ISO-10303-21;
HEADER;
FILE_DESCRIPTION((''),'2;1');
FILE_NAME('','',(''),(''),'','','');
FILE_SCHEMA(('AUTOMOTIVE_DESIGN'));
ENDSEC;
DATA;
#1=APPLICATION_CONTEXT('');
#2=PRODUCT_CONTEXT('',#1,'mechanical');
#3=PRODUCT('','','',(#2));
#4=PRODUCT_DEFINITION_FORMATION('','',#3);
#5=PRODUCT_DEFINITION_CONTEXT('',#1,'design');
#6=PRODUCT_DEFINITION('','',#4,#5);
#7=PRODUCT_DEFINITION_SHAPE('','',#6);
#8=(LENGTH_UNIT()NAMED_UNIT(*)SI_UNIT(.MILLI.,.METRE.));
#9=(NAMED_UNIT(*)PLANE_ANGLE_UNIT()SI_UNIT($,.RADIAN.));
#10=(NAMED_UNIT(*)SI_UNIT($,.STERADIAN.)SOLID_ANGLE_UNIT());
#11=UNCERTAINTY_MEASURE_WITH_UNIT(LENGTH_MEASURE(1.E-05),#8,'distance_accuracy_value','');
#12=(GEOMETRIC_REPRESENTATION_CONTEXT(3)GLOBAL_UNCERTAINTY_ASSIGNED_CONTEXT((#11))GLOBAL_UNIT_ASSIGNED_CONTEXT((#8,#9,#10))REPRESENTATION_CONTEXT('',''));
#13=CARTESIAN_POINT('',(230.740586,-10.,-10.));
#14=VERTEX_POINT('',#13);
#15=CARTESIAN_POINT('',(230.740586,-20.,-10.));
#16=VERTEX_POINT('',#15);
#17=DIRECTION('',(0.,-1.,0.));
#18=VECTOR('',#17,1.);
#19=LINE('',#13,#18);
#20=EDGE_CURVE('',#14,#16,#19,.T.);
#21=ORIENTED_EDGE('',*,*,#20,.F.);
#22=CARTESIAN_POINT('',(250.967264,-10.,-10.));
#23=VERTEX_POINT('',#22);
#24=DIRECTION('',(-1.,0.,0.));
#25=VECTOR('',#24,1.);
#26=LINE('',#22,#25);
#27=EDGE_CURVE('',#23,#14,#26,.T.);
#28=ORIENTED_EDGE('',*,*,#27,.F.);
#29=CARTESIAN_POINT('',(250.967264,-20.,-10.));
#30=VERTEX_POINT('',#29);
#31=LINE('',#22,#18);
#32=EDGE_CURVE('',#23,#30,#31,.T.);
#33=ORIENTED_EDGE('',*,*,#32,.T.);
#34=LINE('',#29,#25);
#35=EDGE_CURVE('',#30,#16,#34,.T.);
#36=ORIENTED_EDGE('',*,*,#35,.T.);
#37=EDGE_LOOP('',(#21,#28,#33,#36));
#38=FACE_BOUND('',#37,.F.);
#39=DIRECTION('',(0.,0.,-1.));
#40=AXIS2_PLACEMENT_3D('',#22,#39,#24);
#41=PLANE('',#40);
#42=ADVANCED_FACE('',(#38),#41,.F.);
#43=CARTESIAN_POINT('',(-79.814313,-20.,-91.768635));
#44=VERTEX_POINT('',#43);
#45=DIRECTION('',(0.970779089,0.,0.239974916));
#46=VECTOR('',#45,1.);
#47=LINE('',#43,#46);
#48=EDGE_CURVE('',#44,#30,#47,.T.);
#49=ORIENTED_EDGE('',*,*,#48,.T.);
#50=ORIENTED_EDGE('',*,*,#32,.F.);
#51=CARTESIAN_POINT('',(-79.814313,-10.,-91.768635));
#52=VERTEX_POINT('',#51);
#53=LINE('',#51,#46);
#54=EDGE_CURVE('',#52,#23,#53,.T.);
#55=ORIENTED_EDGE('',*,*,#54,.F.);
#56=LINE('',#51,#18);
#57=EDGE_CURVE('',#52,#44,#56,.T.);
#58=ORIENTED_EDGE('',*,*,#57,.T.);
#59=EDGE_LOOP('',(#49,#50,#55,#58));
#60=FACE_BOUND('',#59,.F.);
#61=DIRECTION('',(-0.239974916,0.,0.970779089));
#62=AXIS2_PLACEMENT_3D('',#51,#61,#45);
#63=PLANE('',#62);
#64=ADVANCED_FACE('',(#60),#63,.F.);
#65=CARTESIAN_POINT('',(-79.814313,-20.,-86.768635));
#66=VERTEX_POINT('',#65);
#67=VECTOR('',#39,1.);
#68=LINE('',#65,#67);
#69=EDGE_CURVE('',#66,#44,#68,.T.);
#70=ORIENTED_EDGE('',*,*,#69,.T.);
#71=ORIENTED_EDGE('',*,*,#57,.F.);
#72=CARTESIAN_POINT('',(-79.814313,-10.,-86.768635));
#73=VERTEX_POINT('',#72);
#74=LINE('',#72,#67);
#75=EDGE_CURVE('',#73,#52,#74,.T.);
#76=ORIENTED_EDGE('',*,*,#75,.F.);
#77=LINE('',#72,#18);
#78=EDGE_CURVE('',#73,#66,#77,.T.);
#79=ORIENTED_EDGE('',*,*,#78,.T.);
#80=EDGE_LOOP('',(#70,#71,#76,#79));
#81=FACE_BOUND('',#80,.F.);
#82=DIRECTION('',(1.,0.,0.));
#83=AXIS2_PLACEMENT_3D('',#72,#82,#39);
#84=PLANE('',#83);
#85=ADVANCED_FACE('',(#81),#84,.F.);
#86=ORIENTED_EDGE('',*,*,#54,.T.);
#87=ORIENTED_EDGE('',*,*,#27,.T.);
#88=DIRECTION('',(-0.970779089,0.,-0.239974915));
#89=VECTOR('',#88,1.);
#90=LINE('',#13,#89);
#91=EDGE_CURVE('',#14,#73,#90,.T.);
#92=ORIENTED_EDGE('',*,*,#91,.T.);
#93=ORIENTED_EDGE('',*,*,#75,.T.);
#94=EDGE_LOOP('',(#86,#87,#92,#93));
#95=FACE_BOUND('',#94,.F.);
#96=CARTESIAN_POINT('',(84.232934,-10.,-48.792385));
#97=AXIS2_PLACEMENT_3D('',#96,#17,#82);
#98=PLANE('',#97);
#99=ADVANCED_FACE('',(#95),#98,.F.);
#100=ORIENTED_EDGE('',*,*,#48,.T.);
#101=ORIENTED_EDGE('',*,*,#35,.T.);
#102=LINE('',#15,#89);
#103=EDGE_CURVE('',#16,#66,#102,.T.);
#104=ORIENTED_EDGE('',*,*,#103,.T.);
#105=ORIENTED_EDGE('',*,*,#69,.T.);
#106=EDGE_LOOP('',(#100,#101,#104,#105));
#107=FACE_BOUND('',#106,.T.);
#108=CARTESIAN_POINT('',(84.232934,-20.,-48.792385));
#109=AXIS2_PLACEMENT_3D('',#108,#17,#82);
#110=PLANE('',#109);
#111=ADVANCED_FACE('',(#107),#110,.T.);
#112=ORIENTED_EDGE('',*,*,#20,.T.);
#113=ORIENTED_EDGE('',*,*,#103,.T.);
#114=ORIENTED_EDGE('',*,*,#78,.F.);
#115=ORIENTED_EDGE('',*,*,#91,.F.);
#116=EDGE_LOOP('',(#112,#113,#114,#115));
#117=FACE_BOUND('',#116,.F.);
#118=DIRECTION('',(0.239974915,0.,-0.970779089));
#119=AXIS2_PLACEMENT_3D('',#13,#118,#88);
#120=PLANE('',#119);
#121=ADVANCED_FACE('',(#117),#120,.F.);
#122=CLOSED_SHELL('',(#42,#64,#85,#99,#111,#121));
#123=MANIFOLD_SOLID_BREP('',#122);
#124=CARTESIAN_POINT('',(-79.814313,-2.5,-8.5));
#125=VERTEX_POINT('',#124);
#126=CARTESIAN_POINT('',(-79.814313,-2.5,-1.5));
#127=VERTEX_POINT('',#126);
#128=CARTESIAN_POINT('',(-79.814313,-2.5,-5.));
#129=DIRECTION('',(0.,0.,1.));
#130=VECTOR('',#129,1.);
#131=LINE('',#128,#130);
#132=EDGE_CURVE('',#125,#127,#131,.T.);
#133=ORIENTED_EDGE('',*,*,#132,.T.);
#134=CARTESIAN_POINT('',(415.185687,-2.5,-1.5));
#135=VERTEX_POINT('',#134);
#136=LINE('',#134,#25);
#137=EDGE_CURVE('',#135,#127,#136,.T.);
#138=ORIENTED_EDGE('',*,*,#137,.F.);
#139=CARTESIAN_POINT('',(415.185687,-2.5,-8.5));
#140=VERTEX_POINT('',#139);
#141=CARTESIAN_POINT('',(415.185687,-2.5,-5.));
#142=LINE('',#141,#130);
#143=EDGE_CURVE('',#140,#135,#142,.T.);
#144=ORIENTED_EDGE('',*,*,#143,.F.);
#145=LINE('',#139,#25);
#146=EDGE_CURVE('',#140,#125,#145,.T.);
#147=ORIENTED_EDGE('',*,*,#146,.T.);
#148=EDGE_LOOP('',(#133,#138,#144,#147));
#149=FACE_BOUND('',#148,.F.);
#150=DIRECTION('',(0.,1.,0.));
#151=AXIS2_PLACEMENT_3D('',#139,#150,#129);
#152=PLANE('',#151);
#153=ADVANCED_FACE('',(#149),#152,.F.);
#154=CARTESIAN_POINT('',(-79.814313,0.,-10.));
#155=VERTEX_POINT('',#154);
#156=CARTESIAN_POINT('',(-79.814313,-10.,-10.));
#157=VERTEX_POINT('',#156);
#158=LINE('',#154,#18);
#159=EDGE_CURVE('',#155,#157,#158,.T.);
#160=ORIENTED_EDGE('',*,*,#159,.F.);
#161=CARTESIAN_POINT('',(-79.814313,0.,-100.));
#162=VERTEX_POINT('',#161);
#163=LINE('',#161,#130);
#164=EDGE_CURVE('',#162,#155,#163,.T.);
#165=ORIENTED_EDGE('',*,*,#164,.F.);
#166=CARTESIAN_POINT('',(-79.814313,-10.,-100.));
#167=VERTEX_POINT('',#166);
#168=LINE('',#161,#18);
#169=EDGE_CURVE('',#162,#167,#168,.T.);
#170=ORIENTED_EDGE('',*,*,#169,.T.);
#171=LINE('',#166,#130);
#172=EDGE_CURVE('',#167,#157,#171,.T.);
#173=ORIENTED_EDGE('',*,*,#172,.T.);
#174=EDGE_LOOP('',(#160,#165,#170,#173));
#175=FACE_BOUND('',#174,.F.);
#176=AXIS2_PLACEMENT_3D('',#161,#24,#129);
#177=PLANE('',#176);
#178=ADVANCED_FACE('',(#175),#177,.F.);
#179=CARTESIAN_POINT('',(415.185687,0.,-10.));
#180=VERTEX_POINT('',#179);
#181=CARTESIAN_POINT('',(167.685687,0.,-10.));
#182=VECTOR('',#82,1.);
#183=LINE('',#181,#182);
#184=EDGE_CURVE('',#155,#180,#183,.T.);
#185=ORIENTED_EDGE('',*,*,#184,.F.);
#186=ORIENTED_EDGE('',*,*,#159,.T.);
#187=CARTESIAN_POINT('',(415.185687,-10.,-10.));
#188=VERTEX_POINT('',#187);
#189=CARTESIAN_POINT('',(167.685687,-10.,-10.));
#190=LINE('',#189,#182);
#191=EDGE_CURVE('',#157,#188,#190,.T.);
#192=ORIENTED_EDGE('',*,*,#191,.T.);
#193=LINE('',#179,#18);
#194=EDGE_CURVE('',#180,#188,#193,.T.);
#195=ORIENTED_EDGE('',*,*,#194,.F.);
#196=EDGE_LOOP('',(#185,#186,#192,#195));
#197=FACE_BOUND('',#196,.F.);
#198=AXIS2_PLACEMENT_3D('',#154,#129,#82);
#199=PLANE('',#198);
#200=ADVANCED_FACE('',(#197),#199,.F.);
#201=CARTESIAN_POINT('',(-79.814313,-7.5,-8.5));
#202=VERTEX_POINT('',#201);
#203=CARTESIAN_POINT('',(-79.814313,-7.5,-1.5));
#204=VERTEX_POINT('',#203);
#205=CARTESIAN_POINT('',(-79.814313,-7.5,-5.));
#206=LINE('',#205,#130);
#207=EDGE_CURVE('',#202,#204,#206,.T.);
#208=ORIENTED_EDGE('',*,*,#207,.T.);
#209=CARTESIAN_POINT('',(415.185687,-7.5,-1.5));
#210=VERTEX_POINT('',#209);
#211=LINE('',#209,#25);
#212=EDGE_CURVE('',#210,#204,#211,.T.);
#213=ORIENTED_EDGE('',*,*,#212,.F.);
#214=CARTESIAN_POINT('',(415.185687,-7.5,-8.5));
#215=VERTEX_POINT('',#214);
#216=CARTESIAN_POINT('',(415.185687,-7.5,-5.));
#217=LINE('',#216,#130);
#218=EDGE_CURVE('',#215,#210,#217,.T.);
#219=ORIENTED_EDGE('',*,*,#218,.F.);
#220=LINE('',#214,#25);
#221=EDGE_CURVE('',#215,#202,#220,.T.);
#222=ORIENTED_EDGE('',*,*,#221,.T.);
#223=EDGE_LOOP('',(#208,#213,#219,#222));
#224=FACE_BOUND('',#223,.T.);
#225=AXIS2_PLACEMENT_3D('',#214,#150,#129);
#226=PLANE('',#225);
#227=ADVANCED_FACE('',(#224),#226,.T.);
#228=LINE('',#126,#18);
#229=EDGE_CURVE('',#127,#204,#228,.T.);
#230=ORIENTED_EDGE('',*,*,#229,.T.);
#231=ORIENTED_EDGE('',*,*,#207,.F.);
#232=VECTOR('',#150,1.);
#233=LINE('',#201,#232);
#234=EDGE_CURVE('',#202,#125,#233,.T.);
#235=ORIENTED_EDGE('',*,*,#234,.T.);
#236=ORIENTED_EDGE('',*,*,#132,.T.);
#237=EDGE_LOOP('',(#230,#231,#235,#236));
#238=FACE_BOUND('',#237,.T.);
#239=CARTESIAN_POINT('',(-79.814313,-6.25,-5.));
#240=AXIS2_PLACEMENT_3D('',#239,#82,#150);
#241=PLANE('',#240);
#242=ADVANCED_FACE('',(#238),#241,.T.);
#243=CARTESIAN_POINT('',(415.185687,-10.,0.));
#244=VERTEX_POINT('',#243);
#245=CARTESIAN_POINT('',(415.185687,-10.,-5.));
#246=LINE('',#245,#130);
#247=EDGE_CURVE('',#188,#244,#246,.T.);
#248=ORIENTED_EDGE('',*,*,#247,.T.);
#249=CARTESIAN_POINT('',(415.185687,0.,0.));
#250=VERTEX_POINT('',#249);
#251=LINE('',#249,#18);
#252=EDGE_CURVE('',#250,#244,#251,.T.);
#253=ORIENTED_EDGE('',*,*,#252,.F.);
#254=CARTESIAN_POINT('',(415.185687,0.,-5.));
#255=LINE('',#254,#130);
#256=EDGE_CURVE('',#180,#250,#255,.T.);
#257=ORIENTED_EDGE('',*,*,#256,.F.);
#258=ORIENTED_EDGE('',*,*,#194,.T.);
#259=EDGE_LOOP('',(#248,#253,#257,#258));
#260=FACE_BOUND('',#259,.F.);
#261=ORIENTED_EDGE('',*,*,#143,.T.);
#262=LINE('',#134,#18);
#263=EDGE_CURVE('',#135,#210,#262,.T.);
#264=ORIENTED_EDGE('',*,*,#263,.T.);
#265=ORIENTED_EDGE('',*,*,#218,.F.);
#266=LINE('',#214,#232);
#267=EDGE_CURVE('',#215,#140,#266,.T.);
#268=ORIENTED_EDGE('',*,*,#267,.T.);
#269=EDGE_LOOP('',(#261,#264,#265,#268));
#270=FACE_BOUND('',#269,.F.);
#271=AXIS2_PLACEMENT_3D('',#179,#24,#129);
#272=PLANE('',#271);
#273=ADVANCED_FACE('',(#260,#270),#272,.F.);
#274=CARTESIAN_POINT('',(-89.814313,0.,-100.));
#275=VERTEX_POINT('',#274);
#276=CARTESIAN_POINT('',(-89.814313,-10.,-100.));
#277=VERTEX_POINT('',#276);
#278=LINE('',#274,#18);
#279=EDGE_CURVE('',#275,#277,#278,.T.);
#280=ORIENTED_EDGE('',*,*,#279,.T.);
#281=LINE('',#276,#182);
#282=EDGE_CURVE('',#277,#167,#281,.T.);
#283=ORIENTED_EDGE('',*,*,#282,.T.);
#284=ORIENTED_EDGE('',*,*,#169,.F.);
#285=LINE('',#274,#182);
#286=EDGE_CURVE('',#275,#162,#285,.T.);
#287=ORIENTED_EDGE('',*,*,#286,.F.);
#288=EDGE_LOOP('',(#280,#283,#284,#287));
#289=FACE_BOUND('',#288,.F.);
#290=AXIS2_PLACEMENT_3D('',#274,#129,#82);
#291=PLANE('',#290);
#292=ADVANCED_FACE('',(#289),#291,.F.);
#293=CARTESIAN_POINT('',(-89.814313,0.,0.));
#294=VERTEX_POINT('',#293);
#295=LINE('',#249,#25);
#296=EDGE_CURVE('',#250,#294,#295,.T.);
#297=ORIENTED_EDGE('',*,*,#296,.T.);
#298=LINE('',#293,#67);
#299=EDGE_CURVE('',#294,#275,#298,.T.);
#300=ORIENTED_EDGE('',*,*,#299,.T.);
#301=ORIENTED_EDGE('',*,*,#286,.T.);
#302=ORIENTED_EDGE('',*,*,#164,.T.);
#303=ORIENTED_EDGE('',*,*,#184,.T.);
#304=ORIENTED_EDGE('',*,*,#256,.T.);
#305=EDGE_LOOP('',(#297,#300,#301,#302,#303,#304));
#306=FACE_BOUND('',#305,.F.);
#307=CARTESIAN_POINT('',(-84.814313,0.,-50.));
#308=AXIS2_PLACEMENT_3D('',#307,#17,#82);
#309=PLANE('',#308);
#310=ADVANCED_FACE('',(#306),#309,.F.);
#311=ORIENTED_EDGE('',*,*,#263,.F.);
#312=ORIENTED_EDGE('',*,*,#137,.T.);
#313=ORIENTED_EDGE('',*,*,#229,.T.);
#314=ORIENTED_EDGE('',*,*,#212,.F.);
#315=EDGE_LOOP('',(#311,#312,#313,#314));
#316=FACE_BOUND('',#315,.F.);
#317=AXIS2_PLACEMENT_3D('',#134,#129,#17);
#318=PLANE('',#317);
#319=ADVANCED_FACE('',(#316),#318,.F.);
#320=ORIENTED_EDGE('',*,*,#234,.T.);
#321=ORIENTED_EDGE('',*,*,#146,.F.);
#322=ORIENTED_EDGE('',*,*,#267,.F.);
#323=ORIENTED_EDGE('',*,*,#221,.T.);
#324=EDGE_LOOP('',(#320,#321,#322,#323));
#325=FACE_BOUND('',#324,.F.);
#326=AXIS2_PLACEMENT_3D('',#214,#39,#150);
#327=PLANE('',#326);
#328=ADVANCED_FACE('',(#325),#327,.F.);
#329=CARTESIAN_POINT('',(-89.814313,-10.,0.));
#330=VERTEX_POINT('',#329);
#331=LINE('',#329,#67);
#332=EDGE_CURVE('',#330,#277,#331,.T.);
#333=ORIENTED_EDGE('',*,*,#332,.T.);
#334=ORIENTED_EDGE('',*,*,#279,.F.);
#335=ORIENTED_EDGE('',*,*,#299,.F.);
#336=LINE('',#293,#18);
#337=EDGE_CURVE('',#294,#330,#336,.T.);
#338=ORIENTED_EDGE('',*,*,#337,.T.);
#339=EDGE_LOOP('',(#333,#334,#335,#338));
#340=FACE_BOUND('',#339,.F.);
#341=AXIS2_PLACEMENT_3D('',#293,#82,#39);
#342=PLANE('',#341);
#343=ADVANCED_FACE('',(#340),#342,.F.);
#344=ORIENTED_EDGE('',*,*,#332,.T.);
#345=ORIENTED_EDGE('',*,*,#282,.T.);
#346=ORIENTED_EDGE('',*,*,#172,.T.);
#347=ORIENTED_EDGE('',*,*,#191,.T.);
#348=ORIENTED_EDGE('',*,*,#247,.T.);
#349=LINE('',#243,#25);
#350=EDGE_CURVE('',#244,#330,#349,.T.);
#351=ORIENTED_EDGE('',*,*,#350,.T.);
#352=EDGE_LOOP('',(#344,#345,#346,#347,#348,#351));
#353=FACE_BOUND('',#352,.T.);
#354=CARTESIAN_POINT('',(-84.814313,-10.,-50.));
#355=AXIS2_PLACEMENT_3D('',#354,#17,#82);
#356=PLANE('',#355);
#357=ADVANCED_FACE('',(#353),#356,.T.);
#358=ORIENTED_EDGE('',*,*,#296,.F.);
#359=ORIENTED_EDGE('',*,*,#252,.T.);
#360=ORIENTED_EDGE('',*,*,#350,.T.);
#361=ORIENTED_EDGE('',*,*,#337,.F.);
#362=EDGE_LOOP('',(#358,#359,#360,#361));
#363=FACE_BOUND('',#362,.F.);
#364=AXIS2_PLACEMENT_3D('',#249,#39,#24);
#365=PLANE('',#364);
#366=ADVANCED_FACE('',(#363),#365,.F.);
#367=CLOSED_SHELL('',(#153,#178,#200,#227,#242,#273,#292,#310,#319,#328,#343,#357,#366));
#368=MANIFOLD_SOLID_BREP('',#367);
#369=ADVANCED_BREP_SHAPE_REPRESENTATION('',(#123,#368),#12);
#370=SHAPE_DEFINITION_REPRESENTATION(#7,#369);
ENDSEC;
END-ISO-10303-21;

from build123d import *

# Parameters (mm, degrees)
F0_W     = 495
F0_H     = 10
F1_DEPTH = 10
F2_W     = 2.5
F2_H     = 7
F3_DEPTH = 495
F5_DEPTH = 10


with BuildPart() as f1:
    # F0 (on Front) → F1 (new body)
    with BuildSketch(Plane.XZ):
        Polygon((-79.814313, -10), (-79.814313, 0), (-89.814313, 0), (-89.814313, -100), (-79.814313, -100), align=None)
        with Locations((167.685687, -5)):
            Rectangle(F0_W, F0_H)
    extrude(amount=F1_DEPTH)

    # F2 (on face) → F3 (cut)
    with BuildSketch(Plane.YZ.offset(415.185687)):
        with Locations((-6.25, -5)):
            Rectangle(F2_W, F2_H)
        with Locations((-3.75, -5)):
            Rectangle(F2_W, F2_H)
    extrude(amount=-F3_DEPTH, mode=Mode.SUBTRACT)


with BuildPart() as f5:
    # F4 (on face) → F5 (new body)
    with BuildSketch(Plane.XZ.offset(10)):
        Polygon((230.740586, -10), (-79.814313, -86.768635), (-79.814313, -91.768635), (250.967264, -10), align=None)
    extrude(amount=F5_DEPTH)


solid = Compound([f1.part, f5.part])
